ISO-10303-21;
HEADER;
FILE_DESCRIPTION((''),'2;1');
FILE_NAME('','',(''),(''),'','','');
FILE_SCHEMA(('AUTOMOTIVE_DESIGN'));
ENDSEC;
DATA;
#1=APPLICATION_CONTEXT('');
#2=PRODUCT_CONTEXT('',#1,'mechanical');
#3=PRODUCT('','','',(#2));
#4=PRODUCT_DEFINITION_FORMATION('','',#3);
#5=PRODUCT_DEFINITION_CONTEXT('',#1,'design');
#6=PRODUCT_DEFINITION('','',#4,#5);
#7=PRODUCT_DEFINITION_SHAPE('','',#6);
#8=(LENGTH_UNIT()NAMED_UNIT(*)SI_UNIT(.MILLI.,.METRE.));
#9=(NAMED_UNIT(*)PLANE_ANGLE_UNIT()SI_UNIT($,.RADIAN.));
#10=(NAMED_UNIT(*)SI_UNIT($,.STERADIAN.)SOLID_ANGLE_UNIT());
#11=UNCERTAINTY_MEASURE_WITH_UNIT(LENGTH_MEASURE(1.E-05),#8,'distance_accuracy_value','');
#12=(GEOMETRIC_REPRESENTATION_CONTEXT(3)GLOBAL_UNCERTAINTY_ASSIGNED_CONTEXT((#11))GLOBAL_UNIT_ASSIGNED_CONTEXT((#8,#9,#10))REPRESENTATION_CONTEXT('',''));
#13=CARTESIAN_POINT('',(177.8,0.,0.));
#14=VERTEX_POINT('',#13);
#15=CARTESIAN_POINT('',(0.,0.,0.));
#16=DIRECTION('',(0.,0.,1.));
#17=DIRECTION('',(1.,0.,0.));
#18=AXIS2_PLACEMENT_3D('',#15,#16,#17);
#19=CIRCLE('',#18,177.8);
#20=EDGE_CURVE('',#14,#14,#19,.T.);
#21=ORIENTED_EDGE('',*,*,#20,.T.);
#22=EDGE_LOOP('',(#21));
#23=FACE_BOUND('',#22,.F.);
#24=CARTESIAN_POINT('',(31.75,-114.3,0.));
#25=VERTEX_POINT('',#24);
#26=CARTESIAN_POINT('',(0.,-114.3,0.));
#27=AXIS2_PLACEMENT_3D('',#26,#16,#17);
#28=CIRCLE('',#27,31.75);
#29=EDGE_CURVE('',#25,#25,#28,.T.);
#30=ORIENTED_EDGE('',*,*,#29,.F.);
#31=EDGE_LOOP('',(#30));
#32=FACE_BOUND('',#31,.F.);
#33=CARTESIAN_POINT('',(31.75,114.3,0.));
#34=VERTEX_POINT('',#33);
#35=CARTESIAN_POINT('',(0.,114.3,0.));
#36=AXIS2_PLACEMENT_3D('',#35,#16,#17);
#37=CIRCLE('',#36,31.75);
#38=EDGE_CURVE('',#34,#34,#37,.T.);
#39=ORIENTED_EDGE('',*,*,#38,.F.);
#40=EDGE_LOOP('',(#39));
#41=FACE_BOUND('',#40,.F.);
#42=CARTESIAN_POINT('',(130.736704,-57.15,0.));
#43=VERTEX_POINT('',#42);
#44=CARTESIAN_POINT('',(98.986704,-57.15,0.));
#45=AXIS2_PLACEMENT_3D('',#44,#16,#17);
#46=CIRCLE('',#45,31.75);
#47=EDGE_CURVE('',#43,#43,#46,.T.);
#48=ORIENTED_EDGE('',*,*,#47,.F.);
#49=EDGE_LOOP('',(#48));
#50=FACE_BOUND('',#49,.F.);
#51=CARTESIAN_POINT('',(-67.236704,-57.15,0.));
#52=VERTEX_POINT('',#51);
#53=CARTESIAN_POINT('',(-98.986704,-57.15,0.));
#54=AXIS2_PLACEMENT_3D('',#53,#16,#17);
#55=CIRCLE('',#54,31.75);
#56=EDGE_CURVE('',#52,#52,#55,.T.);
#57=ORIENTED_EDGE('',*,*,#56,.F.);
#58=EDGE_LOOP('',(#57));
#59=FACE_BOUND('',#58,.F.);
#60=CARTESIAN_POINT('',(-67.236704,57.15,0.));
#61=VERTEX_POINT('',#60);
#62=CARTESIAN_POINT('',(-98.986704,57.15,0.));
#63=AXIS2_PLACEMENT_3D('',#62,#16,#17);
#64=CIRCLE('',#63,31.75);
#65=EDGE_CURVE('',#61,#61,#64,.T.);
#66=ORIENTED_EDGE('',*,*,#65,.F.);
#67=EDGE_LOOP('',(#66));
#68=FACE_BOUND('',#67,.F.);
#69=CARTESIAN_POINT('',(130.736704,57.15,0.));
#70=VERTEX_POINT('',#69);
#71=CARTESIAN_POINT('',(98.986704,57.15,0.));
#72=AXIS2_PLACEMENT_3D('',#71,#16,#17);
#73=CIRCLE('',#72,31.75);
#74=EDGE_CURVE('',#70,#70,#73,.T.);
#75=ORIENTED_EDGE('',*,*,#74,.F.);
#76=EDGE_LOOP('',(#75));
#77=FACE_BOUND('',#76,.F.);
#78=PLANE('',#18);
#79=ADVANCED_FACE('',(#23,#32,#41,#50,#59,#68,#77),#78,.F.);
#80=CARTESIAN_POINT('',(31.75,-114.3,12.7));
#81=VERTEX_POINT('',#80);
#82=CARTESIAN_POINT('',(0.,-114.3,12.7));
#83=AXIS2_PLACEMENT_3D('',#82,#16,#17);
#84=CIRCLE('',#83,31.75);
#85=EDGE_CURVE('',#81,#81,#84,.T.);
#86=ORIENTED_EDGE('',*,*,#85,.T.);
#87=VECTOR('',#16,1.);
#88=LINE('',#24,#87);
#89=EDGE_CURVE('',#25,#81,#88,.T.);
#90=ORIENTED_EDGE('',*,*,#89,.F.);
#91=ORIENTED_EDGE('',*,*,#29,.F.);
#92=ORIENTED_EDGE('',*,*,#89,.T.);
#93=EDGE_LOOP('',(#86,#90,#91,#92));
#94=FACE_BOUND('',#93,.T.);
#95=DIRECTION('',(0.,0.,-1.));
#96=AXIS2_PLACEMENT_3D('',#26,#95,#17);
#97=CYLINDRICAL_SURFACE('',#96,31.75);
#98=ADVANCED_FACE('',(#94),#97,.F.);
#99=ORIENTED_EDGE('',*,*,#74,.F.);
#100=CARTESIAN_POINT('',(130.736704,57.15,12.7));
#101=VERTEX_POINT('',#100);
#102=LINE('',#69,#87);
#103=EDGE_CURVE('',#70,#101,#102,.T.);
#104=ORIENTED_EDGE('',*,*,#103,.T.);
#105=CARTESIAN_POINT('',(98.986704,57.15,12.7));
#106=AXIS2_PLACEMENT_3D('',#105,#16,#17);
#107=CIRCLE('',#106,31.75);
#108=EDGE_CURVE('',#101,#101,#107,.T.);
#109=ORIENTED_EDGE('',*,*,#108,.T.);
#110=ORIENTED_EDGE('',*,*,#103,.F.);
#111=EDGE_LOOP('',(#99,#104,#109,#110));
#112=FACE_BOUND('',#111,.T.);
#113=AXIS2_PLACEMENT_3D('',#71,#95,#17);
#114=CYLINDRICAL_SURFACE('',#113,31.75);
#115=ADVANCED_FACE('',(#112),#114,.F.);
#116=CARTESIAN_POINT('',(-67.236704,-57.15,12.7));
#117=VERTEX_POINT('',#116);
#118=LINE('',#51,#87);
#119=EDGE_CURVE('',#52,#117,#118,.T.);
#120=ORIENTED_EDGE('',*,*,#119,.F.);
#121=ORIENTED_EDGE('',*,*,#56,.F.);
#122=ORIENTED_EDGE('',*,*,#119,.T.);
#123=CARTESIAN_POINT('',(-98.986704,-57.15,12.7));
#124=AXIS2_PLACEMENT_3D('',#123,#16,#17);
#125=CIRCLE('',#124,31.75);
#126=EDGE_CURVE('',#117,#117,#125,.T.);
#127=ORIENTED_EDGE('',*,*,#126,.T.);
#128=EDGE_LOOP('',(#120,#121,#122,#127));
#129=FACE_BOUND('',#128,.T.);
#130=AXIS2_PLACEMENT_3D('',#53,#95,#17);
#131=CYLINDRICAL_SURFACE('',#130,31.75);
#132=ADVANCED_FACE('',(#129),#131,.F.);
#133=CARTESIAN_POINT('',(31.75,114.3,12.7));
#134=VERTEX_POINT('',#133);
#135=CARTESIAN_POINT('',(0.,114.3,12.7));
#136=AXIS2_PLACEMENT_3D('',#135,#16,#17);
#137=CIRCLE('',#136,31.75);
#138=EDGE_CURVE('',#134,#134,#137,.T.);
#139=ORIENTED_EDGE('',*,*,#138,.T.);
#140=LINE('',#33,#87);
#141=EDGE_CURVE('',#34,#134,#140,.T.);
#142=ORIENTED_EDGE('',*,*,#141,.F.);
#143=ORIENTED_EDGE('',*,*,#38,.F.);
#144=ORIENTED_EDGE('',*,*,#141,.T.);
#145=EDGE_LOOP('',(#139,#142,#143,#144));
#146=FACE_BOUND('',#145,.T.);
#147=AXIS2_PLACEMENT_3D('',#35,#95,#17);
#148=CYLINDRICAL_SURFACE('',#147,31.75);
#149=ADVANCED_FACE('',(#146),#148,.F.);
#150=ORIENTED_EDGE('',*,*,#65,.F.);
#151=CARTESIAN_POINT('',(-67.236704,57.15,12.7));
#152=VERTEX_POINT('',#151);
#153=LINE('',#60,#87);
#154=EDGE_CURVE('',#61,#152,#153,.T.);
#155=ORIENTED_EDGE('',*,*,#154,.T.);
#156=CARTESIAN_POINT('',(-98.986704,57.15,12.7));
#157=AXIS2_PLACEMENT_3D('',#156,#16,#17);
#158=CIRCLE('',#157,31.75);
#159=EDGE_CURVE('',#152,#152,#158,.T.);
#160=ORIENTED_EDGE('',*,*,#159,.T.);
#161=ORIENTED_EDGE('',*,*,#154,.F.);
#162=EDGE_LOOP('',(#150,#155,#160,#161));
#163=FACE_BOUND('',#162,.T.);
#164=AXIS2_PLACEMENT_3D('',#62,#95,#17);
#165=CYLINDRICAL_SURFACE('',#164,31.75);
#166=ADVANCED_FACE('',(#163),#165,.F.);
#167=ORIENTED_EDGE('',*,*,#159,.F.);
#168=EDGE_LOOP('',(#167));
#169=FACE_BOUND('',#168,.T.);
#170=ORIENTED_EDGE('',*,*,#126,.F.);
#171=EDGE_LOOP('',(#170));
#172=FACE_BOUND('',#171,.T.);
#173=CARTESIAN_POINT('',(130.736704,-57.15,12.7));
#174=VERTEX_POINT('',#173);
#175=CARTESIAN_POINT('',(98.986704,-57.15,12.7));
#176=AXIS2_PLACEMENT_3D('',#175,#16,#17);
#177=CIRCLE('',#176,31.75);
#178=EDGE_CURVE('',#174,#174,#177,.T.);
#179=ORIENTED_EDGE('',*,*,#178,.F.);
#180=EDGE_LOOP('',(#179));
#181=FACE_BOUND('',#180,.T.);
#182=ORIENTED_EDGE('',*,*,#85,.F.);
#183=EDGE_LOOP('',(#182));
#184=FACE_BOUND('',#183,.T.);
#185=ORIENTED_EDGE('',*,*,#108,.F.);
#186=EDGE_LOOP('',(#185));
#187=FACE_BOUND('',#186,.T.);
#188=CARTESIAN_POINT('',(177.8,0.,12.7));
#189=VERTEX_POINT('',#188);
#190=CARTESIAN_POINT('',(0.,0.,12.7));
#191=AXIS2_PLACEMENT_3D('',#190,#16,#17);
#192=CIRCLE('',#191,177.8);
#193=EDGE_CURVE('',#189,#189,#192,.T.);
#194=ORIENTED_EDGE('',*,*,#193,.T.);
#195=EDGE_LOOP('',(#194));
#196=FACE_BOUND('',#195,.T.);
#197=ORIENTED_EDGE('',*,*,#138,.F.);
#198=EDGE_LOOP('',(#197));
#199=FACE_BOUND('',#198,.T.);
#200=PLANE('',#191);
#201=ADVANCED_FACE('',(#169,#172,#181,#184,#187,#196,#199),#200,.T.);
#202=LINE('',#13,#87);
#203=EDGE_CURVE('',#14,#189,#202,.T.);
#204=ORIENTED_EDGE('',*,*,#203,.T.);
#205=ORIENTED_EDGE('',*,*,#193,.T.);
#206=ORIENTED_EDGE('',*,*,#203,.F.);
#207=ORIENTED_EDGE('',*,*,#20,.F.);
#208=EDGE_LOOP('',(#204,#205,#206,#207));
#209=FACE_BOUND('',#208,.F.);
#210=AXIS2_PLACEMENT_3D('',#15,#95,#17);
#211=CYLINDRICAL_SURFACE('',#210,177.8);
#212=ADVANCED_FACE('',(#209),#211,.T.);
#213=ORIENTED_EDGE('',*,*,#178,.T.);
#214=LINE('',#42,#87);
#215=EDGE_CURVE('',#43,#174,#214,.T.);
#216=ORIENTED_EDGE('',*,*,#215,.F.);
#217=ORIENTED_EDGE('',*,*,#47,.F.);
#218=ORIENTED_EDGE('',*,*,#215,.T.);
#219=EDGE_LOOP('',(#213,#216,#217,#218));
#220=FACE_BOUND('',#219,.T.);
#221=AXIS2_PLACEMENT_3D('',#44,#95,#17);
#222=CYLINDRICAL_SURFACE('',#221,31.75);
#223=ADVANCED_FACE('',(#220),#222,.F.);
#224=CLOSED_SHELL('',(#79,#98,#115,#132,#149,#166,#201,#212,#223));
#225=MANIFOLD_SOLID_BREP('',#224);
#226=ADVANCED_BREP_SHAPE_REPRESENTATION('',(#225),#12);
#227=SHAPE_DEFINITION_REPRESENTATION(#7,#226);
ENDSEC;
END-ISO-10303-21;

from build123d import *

# Parameters (mm, degrees)
F0_R     = 177.8
F0_R_2   = 31.75
F1_DEPTH = 12.7


with BuildPart() as f1:
    # F0 (on Top) → F1 (new body)
    with BuildSketch(Plane.XY):
        Circle(F0_R)
        with Locations((-98.986704, -57.15)):
            Circle(F0_R_2, mode=Mode.SUBTRACT)
        with Locations((0, -114.3)):
            Circle(F0_R_2, mode=Mode.SUBTRACT)
        with Locations((98.986704, -57.15)):
            Circle(F0_R_2, mode=Mode.SUBTRACT)
        with Locations((-98.986704, 57.15)):
            Circle(F0_R_2, mode=Mode.SUBTRACT)
        with Locations((98.986704, 57.15)):
            Circle(F0_R_2, mode=Mode.SUBTRACT)
        with Locations((0, 114.3)):
            Circle(F0_R_2, mode=Mode.SUBTRACT)
    extrude(amount=F1_DEPTH)


solid = f1.part
